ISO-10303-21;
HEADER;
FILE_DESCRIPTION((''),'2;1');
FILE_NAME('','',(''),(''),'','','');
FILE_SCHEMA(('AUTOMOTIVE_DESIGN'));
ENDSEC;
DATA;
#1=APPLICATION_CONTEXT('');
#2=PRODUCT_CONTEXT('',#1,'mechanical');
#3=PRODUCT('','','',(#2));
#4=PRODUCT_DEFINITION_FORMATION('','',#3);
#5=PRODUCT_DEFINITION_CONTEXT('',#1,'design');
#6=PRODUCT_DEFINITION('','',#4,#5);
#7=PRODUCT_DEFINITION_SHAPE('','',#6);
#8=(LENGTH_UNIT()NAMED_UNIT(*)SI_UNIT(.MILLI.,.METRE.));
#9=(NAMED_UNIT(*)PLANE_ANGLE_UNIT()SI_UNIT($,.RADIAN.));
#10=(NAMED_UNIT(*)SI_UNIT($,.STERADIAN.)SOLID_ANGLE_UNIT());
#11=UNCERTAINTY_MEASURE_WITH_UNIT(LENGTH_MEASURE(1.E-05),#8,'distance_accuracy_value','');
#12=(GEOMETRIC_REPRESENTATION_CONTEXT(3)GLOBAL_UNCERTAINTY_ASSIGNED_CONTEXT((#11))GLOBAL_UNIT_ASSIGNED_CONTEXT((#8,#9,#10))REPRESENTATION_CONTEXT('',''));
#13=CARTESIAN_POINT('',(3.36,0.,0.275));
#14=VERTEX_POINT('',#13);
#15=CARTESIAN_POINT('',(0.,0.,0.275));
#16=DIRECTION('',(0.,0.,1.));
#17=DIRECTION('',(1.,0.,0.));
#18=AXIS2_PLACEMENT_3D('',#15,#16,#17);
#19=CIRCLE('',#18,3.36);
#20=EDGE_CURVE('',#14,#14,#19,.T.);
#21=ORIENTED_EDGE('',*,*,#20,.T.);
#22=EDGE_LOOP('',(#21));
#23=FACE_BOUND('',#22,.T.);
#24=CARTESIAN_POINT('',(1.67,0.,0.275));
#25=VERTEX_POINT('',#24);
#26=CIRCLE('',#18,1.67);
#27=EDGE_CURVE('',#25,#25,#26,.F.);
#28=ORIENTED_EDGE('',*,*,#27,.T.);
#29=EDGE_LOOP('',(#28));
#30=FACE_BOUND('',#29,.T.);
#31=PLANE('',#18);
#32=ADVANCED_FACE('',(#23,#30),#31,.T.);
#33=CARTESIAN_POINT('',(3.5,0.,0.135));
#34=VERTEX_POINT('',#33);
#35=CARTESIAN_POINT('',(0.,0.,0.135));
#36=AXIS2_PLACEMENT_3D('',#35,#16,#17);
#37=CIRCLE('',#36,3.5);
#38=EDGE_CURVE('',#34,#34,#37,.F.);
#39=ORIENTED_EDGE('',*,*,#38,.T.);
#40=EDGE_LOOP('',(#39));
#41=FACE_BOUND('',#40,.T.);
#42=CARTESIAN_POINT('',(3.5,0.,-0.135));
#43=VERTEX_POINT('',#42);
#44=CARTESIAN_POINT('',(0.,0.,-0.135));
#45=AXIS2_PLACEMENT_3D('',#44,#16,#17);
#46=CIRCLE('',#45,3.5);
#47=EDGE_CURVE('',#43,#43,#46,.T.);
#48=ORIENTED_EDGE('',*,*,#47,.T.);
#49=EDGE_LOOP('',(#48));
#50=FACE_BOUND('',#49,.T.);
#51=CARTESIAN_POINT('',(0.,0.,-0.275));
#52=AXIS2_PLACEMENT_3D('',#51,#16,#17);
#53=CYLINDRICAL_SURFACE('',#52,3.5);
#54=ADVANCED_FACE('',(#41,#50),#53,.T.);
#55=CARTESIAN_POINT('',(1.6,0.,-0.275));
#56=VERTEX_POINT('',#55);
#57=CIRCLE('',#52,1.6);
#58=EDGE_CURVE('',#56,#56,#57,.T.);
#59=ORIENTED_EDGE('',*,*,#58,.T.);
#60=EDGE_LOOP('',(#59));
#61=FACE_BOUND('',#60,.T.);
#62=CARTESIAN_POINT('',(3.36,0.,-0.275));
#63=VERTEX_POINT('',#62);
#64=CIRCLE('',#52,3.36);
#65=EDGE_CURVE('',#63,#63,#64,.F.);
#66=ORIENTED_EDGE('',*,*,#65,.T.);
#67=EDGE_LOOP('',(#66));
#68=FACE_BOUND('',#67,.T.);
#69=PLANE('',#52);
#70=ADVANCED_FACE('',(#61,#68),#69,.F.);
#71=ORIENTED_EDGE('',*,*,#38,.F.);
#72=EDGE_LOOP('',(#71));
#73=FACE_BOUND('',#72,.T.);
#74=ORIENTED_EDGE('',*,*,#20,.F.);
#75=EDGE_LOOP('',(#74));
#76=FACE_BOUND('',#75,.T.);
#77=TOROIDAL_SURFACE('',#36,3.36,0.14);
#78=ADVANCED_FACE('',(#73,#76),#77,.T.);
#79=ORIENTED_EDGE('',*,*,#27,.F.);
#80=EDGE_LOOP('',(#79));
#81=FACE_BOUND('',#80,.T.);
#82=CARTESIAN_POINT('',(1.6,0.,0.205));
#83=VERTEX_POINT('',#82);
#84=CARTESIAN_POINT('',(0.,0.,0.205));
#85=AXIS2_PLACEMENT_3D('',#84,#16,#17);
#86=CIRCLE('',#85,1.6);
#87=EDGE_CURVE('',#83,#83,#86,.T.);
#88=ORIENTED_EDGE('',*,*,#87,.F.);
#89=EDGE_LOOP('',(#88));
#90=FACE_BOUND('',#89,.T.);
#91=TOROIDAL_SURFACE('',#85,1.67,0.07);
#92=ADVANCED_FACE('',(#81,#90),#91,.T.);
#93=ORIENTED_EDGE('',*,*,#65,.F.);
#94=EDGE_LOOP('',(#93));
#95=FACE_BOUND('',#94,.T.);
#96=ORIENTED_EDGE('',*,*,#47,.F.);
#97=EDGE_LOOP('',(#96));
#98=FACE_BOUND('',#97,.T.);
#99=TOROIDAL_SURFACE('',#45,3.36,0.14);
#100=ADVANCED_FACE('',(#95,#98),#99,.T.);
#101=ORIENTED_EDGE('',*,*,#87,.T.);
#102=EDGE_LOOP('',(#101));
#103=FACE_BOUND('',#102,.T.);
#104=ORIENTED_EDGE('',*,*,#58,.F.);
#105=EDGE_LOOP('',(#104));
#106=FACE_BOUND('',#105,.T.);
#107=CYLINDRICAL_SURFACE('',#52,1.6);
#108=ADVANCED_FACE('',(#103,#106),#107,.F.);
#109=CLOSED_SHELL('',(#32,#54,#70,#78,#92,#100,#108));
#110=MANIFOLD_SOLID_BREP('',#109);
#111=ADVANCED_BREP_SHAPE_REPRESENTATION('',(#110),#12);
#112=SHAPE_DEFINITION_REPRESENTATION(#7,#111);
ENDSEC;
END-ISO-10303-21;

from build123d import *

# Parameters (mm, degrees)
SKETCH3_R                = 3.5
SKETCH3_R_2              = 1.6
BOSS_EXTRUDE1_DEPTH      = 0.275
BOSS_EXTRUDE1_DEPTH_BACK = 0.275
FILLET1_R                = 0.14
FILLET2_R                = 0.07


with BuildPart() as part:
    # Sketch3 → Boss-Extrude1 (new body, two sides)
    with BuildSketch(Plane.XY) as boss_extrude1_sk:
        Circle(SKETCH3_R)
        Circle(SKETCH3_R_2, mode=Mode.SUBTRACT)
    extrude(amount=BOSS_EXTRUDE1_DEPTH)
    extrude(boss_extrude1_sk.sketch, amount=-BOSS_EXTRUDE1_DEPTH_BACK)

    # Fillet1
    fillet1_edges = [part.edges().sort_by_distance(p)[0] for p in [
        (-3.5, 0, -0.275),
        (-3.5, 0, 0.275),
    ]]
    fillet(fillet1_edges, radius=FILLET1_R)

    # Fillet2
    fillet2_edges = [part.edges().sort_by_distance(p)[0] for p in [
        (-1.6, 0, 0.275),
    ]]
    fillet(fillet2_edges, radius=FILLET2_R)


solid = part.part
